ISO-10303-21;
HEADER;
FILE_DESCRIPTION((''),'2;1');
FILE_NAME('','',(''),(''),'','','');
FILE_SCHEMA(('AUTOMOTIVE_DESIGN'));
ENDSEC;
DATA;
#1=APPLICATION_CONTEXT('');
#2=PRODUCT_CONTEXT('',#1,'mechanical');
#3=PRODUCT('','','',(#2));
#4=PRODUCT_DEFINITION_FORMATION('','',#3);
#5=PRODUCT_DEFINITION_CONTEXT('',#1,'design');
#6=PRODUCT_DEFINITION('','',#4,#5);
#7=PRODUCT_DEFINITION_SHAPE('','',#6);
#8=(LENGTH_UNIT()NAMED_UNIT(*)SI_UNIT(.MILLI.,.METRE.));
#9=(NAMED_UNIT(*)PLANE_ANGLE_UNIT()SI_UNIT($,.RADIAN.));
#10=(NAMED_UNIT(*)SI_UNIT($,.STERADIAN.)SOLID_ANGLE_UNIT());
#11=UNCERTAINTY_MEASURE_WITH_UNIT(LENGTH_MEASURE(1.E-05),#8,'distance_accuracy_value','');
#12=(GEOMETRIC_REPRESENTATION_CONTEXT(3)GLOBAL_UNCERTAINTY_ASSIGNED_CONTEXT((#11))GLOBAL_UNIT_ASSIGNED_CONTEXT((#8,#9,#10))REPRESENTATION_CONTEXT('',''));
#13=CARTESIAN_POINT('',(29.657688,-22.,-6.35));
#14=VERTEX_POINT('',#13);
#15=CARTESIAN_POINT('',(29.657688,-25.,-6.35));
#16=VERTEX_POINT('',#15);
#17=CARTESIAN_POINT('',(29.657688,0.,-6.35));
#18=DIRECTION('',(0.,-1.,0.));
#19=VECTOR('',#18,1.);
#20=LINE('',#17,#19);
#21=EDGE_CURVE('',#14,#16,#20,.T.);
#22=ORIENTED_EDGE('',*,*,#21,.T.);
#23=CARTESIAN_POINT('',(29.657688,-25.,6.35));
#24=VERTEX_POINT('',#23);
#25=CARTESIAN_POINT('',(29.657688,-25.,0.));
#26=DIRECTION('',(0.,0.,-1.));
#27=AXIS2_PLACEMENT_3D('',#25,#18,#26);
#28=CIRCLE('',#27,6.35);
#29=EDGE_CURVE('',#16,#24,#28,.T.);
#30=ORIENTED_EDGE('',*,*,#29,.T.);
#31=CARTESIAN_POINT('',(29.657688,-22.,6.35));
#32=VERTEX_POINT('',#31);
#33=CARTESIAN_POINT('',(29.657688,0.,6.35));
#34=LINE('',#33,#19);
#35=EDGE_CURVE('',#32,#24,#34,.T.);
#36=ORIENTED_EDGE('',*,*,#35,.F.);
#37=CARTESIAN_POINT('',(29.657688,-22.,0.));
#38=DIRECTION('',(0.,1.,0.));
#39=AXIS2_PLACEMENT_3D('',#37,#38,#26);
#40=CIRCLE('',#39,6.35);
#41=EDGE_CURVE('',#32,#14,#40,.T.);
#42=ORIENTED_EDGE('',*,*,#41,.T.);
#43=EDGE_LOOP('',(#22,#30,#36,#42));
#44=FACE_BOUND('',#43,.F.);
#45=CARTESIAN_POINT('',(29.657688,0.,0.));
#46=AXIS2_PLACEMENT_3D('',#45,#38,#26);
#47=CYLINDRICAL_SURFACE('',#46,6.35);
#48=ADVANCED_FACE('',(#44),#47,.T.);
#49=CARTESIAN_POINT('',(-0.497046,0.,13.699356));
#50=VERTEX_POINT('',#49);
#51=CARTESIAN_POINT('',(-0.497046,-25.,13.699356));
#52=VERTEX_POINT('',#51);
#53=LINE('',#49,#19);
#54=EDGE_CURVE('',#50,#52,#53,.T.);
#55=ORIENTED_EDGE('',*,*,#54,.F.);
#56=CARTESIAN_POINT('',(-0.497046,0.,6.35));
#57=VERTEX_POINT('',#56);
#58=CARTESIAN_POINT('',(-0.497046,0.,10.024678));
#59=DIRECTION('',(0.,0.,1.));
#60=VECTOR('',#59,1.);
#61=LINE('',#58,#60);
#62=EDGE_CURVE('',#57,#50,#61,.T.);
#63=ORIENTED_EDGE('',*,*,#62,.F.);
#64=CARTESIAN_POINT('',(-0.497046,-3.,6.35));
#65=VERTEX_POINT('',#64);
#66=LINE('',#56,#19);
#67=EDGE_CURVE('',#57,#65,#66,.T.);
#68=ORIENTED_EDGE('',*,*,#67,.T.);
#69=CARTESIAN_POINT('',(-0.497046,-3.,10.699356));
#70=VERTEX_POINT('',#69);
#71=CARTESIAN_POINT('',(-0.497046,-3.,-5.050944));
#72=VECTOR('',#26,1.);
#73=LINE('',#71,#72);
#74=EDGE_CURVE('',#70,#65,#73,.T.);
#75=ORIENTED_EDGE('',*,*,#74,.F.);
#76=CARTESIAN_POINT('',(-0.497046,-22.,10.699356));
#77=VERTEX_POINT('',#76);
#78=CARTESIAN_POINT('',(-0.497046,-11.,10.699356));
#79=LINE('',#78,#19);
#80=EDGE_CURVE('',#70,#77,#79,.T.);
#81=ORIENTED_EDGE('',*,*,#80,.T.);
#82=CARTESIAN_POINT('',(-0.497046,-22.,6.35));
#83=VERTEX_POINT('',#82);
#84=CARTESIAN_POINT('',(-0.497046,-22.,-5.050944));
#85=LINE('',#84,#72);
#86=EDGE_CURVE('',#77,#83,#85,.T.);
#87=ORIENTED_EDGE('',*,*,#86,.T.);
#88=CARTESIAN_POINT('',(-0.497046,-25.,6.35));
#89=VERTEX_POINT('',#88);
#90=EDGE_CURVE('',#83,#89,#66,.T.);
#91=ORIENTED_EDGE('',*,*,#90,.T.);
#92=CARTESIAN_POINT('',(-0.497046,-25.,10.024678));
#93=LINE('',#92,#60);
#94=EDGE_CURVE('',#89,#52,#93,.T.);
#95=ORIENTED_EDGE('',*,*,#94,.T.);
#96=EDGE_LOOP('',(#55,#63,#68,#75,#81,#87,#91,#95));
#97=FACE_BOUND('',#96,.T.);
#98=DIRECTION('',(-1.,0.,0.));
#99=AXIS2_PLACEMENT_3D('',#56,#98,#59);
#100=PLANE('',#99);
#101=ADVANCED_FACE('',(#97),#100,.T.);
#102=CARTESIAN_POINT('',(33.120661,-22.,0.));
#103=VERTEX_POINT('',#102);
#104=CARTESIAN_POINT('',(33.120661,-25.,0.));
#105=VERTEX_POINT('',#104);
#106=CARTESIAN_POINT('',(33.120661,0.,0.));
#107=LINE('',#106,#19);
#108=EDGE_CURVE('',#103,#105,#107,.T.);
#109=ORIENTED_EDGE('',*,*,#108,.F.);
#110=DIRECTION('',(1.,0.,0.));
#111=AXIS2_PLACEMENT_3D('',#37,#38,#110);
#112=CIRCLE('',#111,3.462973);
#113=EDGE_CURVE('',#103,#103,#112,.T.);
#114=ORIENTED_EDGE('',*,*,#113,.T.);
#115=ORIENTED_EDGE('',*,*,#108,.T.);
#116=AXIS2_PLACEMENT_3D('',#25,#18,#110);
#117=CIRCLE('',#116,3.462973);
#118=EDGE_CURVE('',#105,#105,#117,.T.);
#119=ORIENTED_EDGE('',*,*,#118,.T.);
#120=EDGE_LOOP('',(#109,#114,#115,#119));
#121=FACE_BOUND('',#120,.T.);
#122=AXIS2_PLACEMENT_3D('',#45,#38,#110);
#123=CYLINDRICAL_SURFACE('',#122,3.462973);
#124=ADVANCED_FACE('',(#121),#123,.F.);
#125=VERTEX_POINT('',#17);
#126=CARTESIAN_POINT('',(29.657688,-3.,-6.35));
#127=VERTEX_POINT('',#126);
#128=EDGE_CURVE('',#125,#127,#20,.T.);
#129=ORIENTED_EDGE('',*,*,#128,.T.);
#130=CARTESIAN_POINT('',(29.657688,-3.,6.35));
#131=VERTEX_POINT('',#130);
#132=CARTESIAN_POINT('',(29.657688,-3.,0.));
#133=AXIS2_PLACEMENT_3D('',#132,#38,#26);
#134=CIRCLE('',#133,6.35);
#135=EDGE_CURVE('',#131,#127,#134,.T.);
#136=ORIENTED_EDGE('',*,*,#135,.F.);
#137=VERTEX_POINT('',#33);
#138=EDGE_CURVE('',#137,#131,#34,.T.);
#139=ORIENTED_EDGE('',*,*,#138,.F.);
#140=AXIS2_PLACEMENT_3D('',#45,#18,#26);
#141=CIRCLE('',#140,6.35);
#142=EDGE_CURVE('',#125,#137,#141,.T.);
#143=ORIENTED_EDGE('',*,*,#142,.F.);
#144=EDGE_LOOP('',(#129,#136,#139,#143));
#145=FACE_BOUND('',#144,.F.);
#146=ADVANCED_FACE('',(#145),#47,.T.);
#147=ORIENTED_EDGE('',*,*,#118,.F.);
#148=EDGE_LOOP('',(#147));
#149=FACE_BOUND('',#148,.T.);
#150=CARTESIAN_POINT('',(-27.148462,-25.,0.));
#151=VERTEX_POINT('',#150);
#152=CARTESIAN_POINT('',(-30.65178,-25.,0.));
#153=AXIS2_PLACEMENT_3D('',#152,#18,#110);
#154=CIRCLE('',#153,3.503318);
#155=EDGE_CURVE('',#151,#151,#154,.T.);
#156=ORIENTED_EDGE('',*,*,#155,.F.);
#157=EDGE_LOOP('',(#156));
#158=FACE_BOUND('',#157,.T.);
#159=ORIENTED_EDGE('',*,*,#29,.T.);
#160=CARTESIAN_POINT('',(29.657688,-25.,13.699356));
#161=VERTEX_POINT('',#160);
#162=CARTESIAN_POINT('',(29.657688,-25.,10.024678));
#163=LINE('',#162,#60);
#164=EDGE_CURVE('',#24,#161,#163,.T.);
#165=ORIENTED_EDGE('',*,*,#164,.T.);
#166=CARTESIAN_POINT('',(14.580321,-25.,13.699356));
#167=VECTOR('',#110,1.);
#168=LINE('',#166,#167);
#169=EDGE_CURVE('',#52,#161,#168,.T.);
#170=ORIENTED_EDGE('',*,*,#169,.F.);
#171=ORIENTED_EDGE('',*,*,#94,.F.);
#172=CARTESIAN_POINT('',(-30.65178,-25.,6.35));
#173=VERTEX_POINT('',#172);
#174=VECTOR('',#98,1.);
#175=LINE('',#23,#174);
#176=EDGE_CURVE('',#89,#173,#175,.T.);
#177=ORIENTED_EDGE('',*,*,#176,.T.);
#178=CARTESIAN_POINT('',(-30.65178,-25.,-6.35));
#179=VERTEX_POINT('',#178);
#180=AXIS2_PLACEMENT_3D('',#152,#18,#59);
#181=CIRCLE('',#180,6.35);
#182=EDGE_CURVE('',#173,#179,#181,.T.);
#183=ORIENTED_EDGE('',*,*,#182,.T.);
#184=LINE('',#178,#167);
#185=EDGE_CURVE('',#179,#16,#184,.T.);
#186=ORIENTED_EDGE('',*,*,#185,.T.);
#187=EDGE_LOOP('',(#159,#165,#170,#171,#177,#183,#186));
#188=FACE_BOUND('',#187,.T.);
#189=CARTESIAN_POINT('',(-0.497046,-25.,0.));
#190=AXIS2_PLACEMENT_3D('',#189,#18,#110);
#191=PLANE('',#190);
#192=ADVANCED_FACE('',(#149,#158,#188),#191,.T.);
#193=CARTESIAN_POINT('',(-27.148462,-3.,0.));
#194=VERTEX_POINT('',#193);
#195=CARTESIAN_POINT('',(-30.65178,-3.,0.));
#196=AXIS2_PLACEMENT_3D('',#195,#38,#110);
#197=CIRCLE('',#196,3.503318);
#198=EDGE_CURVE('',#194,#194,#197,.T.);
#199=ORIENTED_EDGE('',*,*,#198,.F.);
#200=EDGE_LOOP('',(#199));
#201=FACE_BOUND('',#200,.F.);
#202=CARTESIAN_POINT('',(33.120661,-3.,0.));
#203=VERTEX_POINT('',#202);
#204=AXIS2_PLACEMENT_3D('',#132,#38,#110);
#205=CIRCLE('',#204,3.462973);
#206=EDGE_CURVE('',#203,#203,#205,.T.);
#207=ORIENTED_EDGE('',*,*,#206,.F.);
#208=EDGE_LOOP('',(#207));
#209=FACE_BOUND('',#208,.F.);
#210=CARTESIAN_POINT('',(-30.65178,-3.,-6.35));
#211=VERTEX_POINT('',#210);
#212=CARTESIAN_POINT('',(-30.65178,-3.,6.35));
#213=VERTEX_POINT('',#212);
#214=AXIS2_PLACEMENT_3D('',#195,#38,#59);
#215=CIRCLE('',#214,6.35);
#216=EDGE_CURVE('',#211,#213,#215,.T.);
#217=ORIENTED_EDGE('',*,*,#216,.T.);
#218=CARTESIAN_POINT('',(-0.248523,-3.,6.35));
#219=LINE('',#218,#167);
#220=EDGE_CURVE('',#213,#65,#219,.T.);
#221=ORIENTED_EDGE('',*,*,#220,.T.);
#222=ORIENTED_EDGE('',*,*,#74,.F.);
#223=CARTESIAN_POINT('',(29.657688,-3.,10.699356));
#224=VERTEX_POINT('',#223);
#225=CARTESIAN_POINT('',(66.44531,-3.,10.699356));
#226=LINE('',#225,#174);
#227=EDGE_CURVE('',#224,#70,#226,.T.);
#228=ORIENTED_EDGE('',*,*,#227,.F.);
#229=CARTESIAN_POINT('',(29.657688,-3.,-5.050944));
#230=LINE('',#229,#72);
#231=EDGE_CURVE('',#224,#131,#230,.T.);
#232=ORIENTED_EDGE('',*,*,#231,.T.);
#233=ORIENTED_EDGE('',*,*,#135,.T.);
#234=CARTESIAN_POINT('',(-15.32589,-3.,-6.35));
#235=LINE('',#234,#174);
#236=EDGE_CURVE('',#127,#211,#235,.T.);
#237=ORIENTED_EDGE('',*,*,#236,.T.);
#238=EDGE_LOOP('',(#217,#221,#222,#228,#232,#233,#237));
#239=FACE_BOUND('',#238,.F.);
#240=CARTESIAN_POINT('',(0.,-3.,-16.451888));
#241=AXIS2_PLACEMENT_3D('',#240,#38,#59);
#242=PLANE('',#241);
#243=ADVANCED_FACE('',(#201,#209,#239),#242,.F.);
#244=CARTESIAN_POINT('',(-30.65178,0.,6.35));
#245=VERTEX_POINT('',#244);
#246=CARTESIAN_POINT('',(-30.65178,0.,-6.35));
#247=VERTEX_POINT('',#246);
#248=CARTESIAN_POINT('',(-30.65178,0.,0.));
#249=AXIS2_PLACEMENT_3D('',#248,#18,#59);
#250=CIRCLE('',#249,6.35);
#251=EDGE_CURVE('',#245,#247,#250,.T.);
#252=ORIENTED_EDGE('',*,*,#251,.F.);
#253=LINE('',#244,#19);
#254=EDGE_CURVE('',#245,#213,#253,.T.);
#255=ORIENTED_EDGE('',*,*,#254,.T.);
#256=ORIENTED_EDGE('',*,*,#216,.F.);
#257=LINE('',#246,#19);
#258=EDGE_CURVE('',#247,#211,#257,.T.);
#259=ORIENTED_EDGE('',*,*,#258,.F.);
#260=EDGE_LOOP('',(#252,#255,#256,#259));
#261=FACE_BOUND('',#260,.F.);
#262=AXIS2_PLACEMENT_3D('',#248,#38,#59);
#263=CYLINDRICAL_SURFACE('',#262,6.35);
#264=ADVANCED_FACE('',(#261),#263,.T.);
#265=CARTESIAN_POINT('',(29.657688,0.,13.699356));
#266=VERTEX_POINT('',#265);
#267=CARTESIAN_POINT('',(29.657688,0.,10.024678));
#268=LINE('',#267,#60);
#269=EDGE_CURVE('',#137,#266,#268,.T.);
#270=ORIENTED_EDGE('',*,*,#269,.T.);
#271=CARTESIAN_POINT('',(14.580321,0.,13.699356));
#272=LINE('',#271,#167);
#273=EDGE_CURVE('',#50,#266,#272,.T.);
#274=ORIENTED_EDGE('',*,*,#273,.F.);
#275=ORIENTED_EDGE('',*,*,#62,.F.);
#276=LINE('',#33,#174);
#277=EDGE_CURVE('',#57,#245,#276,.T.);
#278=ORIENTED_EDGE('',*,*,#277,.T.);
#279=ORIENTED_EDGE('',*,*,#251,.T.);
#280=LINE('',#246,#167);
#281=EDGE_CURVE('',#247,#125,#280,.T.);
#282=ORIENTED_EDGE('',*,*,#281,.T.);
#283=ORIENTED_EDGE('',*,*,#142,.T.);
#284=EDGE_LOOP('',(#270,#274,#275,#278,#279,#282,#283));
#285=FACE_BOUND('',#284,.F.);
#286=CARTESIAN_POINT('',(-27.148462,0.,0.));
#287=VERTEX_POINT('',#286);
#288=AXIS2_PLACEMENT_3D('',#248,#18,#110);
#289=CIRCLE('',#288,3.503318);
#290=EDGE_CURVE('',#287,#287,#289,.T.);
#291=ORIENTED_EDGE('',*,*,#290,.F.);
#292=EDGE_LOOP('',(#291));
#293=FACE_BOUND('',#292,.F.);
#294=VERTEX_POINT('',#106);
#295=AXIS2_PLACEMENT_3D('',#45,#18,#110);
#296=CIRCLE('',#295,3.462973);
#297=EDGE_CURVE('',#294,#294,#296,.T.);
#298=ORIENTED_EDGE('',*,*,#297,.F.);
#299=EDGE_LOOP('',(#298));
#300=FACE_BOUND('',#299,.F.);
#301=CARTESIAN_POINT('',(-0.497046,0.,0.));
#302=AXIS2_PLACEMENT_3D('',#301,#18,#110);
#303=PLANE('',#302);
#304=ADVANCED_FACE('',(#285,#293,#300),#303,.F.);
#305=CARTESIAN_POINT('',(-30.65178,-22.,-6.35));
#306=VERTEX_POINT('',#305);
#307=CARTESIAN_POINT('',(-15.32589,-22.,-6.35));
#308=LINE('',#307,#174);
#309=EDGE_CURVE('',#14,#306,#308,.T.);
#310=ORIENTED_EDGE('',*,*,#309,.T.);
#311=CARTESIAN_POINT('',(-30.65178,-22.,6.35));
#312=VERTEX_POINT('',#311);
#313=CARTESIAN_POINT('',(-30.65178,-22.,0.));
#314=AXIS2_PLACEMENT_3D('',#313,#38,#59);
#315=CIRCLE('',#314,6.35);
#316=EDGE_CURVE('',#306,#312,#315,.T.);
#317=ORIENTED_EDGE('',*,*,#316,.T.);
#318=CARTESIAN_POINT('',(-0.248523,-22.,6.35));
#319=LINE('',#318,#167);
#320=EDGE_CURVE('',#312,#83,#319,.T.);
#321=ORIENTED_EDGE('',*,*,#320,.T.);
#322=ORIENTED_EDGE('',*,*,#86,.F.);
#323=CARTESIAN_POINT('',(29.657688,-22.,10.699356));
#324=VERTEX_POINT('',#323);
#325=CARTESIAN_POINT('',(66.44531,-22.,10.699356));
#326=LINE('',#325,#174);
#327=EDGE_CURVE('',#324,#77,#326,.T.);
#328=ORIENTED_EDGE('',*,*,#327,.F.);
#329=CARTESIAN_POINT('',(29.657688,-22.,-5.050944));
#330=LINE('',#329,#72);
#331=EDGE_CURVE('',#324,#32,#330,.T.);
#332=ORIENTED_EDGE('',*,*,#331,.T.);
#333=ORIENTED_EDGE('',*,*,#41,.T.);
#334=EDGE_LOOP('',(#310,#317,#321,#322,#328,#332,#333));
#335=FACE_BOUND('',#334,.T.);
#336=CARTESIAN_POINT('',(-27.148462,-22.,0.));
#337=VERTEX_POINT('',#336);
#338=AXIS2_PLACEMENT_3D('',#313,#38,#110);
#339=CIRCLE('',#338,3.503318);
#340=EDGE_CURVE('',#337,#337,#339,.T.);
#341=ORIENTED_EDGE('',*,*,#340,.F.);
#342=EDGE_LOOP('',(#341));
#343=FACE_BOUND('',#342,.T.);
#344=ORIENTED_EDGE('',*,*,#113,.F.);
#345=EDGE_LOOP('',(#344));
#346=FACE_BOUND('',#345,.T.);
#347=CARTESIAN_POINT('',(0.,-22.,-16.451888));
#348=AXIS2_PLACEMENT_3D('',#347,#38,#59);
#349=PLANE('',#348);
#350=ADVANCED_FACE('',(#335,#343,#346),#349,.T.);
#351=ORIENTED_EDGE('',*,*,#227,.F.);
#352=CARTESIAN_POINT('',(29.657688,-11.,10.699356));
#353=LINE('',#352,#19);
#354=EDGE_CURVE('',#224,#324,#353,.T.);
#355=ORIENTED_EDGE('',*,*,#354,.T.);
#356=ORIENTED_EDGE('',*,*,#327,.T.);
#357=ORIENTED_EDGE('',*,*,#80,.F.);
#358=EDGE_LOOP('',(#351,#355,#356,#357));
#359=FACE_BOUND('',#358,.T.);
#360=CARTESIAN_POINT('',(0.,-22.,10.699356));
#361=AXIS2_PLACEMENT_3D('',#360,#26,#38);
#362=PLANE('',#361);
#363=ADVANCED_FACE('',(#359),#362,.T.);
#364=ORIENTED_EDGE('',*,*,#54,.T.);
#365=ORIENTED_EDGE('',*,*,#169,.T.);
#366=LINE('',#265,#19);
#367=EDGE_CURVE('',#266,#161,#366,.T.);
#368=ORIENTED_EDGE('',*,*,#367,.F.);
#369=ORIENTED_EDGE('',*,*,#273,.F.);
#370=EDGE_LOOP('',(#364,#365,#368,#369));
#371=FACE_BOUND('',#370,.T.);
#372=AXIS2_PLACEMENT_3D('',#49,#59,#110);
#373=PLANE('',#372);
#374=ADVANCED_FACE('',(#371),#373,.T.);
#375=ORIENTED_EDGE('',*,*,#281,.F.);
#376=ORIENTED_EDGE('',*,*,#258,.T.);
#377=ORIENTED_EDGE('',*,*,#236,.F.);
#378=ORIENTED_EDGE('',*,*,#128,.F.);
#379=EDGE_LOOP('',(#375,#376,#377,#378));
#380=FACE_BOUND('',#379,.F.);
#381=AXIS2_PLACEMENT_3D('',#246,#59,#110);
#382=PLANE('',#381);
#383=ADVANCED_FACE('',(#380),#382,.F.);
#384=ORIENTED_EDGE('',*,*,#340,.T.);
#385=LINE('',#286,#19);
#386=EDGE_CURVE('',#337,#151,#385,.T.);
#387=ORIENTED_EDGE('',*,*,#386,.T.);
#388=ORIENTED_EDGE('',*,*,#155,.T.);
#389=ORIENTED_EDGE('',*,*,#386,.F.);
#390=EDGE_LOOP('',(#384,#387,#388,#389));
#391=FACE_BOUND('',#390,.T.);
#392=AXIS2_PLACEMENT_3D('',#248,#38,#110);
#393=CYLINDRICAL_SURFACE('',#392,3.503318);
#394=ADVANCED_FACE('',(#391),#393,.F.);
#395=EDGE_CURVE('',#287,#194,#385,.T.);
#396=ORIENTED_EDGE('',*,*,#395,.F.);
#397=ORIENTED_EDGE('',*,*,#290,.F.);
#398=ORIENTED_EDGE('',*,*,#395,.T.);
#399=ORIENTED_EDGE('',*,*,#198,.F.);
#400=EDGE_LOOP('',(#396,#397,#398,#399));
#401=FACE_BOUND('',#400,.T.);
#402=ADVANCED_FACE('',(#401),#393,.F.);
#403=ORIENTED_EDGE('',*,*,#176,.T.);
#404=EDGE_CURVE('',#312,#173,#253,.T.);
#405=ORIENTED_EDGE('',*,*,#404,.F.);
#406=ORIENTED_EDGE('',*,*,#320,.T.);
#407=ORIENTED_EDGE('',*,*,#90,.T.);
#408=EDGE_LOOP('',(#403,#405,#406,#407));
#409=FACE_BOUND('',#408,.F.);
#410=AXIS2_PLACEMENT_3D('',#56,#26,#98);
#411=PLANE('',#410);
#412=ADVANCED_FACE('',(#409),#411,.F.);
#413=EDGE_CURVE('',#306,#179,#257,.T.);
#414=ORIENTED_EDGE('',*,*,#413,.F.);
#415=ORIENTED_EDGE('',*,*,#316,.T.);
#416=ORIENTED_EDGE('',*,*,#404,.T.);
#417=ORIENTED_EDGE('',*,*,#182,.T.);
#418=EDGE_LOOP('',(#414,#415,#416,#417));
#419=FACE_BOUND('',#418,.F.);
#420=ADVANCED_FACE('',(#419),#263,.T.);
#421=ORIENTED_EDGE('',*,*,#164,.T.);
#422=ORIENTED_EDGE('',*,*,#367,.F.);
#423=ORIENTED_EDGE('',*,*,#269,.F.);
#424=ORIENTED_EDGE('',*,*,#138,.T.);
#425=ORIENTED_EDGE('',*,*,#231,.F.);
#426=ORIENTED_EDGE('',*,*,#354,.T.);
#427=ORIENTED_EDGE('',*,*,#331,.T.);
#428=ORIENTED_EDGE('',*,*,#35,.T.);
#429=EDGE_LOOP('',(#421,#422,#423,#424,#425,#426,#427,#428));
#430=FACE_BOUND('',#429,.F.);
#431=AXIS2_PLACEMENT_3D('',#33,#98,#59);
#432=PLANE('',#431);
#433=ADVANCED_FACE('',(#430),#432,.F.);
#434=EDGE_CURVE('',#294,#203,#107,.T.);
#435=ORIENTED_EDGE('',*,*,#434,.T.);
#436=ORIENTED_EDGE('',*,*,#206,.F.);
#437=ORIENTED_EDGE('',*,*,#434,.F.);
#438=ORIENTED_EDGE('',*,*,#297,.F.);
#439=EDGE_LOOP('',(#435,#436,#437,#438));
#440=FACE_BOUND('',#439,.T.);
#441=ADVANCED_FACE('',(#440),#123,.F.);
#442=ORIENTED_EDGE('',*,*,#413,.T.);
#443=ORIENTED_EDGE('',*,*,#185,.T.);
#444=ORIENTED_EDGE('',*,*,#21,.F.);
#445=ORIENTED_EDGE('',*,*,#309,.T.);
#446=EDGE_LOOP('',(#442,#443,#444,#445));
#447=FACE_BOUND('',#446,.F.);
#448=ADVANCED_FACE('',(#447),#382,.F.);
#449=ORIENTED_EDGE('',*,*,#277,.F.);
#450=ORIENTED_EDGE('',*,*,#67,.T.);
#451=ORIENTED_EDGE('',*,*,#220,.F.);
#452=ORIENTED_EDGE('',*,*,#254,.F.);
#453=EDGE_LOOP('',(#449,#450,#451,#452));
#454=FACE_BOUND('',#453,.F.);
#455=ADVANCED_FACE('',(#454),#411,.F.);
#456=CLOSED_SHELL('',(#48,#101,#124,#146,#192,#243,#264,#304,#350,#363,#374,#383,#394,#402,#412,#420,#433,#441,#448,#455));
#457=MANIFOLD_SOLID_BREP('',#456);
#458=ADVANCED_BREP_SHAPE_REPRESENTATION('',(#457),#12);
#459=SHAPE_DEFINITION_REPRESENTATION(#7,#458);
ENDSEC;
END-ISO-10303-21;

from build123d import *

# Parameters (mm, degrees)
F0_R     = 3.503318
F0_R_2   = 3.462973
F0_W     = 30.154734
F0_H     = 7.349356
F1_DEPTH = 25
F2_DEPTH = 25
F3_W     = 19
F3_H     = 27.151244
F4_DEPTH = 66.44531


with BuildPart() as f1:
    # F0 (on Front) → F1 (new body)
    with BuildSketch(Plane.XZ):
        with BuildLine():
            ThreePointArc((-30.65178, 6.35), (-37.00178, 0), (-30.65178, -6.35))
            Line((-30.65178, -6.35), (29.657688, -6.35))
            ThreePointArc((29.657688, -6.35), (36.007688, 0), (29.657688, 6.35))
            Line((29.657688, 6.35), (-0.497046, 6.35))
            Line((-0.497046, 6.35), (-30.65178, 6.35))
        make_face()
        with Locations((-30.65178, 0)):
            Circle(F0_R, mode=Mode.SUBTRACT)
        with Locations((29.657688, 0)):
            Circle(F0_R_2, mode=Mode.SUBTRACT)
        with Locations((14.580321, 10.024678)):
            Rectangle(F0_W, F0_H)
    extrude(amount=F1_DEPTH)

    # F0 (on Front) → F2 (join)
    with BuildSketch(Plane.XZ):
        with BuildLine():
            ThreePointArc((-30.65178, 6.35), (-37.00178, 0), (-30.65178, -6.35))
            Line((-30.65178, -6.35), (29.657688, -6.35))
            ThreePointArc((29.657688, -6.35), (36.007688, 0), (29.657688, 6.35))
            Line((29.657688, 6.35), (-0.497046, 6.35))
            Line((-0.497046, 6.35), (-30.65178, 6.35))
        make_face()
        with Locations((-30.65178, 0)):
            Circle(F0_R, mode=Mode.SUBTRACT)
        with Locations((29.657688, 0)):
            Circle(F0_R_2, mode=Mode.SUBTRACT)
        with Locations((14.580321, 10.024678)):
            Rectangle(F0_W, F0_H)
    extrude(amount=F2_DEPTH)

    # F3 (on Right) → F4 (cut, symmetric)
    with BuildSketch(Plane.YZ):
        with Locations((-12.5, -2.876266)):
            Rectangle(F3_W, F3_H)
    extrude(amount=F4_DEPTH, both=True, mode=Mode.SUBTRACT)


solid = f1.part
